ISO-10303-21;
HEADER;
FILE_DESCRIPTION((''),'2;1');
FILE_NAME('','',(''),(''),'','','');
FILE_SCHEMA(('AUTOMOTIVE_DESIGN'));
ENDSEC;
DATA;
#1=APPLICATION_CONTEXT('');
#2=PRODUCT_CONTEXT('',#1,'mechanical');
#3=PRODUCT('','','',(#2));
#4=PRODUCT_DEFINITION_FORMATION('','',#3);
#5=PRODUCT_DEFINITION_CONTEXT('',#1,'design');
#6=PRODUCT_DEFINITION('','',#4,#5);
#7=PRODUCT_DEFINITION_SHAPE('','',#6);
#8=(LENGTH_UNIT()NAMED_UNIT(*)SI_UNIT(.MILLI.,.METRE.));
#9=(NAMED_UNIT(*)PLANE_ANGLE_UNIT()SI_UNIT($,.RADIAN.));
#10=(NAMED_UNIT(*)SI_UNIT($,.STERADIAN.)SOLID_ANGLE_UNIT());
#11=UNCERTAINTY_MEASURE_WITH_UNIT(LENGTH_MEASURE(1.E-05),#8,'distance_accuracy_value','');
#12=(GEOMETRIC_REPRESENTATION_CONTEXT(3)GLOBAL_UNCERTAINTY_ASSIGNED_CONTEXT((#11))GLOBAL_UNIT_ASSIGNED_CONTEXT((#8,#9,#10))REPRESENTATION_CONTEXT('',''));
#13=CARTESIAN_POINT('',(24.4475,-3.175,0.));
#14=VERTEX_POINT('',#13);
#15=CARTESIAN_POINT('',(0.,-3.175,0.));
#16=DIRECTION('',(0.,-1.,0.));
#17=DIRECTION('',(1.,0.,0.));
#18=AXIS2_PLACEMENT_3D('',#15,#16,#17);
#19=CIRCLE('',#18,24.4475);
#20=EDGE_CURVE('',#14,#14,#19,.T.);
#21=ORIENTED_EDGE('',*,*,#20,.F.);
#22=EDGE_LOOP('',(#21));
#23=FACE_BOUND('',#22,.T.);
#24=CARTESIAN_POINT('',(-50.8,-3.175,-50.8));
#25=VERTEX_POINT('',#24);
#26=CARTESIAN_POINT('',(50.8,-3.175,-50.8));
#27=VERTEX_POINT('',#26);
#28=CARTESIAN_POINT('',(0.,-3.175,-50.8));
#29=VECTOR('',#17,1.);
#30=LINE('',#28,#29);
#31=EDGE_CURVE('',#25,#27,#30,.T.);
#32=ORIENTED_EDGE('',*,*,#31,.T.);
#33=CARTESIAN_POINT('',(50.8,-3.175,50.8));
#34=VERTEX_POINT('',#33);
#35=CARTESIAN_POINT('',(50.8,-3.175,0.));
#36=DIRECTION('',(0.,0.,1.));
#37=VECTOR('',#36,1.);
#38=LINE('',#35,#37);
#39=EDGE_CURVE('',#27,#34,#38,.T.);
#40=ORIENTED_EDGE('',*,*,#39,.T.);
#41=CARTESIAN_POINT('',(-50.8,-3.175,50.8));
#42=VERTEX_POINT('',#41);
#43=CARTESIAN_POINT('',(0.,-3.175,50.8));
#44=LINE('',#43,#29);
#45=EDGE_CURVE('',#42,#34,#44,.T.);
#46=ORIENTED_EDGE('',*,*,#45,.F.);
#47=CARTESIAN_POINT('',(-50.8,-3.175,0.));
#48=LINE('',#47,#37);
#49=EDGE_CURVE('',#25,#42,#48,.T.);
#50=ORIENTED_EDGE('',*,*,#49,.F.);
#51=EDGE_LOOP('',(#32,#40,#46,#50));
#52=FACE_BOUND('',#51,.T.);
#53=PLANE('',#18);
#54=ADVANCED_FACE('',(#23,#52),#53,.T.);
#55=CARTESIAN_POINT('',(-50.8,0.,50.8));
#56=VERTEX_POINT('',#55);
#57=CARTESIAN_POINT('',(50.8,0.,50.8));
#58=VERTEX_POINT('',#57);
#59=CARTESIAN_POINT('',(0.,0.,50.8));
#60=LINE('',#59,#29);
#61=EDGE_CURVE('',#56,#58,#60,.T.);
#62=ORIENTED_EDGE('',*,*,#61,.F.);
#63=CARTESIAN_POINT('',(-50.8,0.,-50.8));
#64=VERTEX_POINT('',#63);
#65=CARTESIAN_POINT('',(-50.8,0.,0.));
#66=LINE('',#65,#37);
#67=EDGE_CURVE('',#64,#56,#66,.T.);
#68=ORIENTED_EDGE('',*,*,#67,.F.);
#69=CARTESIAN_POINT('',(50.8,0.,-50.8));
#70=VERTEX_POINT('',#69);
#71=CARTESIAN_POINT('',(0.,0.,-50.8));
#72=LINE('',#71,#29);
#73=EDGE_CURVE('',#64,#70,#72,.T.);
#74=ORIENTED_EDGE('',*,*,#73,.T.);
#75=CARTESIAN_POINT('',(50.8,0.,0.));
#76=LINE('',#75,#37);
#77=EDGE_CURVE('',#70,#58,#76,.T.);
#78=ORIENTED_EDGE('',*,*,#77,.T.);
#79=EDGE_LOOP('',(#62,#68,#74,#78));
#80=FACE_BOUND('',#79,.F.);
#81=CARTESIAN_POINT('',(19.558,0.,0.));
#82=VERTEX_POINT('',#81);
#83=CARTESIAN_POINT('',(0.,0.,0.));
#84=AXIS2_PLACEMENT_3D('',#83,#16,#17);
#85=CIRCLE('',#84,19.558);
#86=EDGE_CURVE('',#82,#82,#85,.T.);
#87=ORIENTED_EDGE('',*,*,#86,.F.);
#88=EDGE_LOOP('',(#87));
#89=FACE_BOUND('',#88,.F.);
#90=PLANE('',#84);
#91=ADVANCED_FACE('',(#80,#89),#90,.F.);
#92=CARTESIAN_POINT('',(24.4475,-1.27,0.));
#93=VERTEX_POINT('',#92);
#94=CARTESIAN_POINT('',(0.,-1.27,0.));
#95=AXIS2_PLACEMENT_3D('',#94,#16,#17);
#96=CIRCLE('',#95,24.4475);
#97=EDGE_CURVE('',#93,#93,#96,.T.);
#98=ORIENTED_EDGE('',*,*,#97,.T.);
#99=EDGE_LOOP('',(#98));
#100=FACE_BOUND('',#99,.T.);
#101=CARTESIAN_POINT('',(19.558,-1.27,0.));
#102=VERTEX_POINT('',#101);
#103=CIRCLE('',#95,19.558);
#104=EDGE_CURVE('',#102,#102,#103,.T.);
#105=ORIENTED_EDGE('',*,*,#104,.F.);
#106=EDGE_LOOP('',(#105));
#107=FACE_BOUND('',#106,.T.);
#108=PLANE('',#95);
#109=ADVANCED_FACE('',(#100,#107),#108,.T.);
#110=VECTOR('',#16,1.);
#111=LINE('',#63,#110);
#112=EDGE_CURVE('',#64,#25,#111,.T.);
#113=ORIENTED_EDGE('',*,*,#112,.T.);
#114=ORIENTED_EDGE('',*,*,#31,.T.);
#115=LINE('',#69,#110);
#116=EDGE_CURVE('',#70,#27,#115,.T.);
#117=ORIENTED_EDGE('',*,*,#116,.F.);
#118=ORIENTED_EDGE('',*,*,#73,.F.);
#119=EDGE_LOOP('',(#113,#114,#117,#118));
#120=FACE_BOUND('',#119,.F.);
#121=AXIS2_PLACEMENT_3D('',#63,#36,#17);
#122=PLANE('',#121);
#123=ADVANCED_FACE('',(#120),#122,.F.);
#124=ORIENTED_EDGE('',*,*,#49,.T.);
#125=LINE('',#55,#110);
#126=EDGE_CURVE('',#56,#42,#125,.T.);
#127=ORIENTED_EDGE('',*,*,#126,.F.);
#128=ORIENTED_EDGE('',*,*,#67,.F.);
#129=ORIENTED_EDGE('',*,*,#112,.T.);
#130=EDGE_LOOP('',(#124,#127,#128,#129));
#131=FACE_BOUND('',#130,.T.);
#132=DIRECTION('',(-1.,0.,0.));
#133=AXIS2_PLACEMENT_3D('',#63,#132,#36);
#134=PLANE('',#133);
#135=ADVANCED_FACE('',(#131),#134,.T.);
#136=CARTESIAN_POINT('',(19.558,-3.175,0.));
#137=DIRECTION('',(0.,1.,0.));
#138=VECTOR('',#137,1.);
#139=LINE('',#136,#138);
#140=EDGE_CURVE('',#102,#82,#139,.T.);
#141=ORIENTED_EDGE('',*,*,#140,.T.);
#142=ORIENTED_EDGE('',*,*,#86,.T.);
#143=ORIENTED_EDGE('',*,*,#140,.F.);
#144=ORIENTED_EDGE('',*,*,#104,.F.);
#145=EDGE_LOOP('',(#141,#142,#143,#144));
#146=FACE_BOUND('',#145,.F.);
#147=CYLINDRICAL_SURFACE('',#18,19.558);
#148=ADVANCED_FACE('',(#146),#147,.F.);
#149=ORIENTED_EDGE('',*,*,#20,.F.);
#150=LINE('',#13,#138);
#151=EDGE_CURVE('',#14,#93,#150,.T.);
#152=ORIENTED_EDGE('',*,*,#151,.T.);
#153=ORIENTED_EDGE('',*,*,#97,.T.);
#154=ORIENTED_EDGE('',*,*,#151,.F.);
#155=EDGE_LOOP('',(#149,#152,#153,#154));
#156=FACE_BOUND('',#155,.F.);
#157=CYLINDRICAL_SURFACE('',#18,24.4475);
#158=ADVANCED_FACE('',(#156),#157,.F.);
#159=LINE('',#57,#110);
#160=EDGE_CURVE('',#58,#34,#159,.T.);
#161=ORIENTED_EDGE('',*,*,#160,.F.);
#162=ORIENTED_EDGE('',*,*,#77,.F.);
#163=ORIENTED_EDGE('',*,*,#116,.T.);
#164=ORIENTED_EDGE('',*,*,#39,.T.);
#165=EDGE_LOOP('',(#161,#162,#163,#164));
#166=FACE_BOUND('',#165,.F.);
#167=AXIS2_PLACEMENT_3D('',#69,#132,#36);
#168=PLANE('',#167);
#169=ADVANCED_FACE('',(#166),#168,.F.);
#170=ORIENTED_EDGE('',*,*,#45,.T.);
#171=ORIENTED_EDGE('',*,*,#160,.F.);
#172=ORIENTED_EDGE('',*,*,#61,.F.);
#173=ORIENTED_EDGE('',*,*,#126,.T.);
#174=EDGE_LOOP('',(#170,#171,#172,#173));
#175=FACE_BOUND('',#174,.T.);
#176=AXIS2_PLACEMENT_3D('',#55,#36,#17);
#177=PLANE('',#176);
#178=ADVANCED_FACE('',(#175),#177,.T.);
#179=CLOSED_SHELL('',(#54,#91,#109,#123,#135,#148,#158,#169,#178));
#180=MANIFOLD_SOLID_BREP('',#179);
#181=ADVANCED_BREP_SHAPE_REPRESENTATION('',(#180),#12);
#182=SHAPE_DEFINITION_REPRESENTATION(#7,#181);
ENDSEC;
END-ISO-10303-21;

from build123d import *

# Parameters (mm, degrees)
F0_W     = 101.6
F0_H     = 101.6
F1_DEPTH = 3.175
F2_R     = 19.558
F3_DEPTH = 3.176
F4_R     = 24.4475
F5_DEPTH = 1.905


with BuildPart() as f1:
    # F0 (on Front) → F1 (new body)
    with BuildSketch(Plane.XZ):
        Rectangle(F0_W, F0_H)
    extrude(amount=F1_DEPTH)

    # F2 (on face) → F3 (cut, through all)
    with BuildSketch(Plane.XZ.offset(3.175)):
        Circle(F2_R)
    extrude(amount=-F3_DEPTH, mode=Mode.SUBTRACT)

    # F4 (on face) → F5 (cut)
    with BuildSketch(Plane.XZ.offset(3.175)):
        Circle(F4_R)
    extrude(amount=-F5_DEPTH, mode=Mode.SUBTRACT)


solid = f1.part
